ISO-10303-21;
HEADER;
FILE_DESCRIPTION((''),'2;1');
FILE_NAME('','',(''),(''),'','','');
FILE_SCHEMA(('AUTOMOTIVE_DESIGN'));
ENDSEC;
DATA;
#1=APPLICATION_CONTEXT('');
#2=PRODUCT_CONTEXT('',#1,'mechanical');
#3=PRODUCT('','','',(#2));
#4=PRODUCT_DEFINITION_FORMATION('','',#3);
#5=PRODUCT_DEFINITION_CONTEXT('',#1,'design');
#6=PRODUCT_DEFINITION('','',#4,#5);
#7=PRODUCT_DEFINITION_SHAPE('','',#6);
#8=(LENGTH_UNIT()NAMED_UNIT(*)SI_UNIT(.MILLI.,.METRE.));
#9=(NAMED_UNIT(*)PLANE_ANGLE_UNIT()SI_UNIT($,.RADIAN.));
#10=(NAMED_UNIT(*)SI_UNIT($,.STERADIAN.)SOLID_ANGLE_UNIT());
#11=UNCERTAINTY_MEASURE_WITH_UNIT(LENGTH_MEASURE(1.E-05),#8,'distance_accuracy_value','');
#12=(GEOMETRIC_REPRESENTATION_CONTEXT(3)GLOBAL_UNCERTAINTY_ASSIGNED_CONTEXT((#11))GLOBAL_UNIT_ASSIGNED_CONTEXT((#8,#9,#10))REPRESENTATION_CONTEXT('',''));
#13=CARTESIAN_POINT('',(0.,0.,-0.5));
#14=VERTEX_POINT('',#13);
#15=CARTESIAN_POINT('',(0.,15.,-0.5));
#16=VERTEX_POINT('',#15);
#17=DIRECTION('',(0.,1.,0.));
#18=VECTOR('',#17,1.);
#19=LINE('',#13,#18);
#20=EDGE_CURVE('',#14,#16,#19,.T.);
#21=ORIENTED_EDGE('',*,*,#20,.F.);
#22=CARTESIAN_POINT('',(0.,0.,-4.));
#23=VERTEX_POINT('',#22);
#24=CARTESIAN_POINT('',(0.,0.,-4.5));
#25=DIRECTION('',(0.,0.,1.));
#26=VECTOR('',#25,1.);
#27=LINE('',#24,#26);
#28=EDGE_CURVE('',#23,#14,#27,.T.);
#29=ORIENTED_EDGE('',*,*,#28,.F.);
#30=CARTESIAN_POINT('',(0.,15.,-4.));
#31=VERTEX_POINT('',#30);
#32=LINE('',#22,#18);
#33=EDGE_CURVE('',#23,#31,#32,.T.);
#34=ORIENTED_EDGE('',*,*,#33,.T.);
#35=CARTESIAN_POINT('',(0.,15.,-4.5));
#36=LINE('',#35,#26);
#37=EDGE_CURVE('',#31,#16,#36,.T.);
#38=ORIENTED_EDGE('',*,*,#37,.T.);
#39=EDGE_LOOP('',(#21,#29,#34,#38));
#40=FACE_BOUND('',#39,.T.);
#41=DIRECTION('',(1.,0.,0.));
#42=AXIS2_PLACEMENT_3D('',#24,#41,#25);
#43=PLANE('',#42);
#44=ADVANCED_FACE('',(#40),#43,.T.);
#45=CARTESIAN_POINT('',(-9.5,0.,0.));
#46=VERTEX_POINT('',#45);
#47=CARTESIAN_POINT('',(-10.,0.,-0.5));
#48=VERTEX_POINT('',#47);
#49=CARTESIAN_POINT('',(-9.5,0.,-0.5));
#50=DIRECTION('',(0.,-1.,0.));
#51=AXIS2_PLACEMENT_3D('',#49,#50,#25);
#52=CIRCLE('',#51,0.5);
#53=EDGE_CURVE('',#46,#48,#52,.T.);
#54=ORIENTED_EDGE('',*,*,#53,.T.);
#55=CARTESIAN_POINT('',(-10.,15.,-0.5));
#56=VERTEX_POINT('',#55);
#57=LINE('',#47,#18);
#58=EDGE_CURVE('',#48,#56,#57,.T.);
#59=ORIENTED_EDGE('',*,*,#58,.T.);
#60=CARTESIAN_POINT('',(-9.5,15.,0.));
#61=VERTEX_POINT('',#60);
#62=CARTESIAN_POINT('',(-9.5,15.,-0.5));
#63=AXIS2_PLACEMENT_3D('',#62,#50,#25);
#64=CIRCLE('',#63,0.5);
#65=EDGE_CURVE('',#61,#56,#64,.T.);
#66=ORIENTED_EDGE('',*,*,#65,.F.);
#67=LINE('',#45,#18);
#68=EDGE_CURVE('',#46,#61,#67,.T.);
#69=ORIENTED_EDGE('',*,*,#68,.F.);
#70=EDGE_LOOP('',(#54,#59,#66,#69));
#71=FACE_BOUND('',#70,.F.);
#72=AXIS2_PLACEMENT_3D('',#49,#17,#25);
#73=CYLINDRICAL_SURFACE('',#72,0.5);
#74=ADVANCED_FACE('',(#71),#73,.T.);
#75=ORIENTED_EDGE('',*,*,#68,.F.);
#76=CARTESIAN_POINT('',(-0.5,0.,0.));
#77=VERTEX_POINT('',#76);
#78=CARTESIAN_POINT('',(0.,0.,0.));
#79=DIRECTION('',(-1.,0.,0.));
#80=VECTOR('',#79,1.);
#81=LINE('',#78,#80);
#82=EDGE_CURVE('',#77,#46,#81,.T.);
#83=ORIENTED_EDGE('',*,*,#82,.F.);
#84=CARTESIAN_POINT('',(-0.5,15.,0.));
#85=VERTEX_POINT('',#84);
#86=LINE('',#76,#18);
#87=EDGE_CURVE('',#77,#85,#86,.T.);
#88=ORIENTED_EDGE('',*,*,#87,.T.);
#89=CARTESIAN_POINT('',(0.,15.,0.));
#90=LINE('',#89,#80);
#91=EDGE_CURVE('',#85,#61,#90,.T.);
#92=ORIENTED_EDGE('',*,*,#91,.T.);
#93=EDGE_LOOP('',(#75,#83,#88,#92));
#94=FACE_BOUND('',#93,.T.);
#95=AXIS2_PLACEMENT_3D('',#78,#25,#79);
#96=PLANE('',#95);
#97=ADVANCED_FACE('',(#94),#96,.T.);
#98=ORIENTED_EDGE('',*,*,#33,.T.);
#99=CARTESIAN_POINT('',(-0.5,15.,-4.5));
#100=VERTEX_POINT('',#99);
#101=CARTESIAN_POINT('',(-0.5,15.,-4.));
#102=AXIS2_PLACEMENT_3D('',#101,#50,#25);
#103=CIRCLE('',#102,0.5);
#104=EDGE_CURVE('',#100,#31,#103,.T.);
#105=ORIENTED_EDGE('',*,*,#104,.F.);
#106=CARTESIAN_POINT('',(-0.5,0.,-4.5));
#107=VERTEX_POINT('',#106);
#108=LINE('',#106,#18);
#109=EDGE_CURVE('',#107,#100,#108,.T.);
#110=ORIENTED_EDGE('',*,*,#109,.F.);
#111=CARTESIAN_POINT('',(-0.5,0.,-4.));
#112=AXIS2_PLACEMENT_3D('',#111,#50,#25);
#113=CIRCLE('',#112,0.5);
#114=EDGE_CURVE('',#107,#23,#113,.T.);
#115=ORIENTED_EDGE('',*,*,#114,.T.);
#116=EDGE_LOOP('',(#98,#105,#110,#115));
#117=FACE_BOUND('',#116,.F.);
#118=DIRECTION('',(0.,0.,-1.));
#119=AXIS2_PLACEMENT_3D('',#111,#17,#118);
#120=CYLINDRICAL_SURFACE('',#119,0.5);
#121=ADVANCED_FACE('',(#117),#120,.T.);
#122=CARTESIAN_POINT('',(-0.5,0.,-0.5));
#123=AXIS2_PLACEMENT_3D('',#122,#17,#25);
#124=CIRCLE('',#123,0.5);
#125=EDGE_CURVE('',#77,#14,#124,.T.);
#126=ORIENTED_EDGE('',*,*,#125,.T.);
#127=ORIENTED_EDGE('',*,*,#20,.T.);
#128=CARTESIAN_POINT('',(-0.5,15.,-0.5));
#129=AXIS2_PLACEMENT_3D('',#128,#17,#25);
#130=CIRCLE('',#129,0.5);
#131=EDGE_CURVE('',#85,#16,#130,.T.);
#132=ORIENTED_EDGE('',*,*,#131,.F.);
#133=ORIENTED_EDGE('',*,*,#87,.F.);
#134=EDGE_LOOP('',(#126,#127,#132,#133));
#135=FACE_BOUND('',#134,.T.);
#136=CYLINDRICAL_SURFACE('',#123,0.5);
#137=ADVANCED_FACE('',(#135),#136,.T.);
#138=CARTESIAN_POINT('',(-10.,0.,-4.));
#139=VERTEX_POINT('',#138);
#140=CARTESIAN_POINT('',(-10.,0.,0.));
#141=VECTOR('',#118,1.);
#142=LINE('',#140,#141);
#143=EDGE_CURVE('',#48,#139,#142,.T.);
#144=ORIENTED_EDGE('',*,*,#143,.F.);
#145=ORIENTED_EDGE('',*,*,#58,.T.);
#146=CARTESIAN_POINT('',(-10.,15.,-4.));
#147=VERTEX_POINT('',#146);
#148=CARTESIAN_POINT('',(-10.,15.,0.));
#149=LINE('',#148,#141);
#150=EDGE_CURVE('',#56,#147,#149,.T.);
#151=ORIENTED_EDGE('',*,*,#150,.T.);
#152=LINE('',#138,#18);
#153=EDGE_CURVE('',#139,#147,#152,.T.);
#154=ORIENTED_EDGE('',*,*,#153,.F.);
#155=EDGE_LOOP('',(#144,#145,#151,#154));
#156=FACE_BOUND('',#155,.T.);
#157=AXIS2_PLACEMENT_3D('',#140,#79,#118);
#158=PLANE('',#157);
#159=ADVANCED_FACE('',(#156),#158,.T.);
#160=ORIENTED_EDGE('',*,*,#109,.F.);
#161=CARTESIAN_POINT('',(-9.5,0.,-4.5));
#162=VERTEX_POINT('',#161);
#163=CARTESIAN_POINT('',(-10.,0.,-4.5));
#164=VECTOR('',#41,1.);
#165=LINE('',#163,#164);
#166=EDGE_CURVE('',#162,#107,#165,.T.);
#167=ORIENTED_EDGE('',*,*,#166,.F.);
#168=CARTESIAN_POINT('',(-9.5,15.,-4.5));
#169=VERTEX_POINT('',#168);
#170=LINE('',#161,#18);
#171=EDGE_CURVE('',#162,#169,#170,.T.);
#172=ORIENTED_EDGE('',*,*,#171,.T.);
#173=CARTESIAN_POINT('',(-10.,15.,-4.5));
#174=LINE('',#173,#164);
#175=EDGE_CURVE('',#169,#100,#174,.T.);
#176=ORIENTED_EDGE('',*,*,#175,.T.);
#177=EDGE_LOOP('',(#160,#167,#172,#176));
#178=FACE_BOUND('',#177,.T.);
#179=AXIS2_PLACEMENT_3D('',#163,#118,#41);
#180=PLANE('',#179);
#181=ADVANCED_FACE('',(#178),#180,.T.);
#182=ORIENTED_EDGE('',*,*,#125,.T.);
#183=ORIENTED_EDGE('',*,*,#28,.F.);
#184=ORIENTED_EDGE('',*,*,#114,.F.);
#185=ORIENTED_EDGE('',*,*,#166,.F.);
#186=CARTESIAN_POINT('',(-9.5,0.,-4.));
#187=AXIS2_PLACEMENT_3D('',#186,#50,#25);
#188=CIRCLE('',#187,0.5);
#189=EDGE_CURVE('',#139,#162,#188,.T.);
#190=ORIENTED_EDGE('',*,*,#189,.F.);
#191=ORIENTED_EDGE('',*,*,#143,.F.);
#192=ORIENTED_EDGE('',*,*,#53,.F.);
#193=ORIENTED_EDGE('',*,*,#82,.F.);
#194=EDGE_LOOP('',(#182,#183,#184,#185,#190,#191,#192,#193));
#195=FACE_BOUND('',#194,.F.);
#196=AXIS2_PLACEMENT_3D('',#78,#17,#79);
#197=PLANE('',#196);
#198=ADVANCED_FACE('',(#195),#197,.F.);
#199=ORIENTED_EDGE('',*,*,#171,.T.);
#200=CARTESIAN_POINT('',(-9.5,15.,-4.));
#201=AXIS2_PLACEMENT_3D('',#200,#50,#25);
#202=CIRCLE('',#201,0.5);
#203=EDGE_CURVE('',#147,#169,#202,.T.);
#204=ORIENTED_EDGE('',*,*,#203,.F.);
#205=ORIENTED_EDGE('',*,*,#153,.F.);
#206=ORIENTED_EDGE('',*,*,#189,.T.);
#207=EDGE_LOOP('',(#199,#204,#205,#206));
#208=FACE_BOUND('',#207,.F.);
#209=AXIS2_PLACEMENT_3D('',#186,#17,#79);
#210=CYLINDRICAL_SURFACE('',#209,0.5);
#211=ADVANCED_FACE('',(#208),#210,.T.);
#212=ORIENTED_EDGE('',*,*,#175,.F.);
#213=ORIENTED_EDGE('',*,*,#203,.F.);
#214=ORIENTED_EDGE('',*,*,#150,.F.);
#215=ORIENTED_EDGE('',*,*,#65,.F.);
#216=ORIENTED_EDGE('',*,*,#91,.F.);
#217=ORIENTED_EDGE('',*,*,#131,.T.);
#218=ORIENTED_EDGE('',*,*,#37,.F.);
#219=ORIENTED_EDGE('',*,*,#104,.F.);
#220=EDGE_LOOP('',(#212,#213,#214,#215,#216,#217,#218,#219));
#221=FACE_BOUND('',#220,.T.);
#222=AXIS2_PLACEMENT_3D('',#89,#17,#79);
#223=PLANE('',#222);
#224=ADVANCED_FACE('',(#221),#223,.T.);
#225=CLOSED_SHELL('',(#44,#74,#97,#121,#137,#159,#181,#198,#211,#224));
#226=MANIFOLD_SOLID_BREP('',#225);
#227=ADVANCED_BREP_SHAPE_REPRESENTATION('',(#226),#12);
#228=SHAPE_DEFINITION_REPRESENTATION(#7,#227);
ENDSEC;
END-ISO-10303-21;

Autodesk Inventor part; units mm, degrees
ref_plane "YZ Plane" through (0, 0, 0) normal (1, 0, 0) x (0, 1, 0)
ref_plane "XZ Plane" through (0, 0, 0) normal (0, 1, 0) x (-1, 0, 0)
ref_plane "XY Plane" through (0, 0, 0) normal (0, 0, 1) x (1, 0, 0)
sketch "Szkic1" plane through (0, 0, 0) normal (0, 1, 0) x (-1, 0, 0)
  line L0 (0, 0) -> (10, 0)
  line L1 (10, 0) -> (10, -4.5)
  line L2 (10, -4.5) -> (0, -4.5)
  line L3 (0, -4.5) -> (0, 0)
  dimension "d0" = 10
  dimension "d1" = 4.5
extrude "Wyciągnięcie proste1" add sketch "Szkic1" along normal blind 15
fillet "Zaokrąglenie1" radius 0.5 4 edges at (0, 7.5, 0) (-10, 7.5, 0) (0, 7.5, -4.5) (-10, 7.5, -4.5)
properties part number "kołek"
